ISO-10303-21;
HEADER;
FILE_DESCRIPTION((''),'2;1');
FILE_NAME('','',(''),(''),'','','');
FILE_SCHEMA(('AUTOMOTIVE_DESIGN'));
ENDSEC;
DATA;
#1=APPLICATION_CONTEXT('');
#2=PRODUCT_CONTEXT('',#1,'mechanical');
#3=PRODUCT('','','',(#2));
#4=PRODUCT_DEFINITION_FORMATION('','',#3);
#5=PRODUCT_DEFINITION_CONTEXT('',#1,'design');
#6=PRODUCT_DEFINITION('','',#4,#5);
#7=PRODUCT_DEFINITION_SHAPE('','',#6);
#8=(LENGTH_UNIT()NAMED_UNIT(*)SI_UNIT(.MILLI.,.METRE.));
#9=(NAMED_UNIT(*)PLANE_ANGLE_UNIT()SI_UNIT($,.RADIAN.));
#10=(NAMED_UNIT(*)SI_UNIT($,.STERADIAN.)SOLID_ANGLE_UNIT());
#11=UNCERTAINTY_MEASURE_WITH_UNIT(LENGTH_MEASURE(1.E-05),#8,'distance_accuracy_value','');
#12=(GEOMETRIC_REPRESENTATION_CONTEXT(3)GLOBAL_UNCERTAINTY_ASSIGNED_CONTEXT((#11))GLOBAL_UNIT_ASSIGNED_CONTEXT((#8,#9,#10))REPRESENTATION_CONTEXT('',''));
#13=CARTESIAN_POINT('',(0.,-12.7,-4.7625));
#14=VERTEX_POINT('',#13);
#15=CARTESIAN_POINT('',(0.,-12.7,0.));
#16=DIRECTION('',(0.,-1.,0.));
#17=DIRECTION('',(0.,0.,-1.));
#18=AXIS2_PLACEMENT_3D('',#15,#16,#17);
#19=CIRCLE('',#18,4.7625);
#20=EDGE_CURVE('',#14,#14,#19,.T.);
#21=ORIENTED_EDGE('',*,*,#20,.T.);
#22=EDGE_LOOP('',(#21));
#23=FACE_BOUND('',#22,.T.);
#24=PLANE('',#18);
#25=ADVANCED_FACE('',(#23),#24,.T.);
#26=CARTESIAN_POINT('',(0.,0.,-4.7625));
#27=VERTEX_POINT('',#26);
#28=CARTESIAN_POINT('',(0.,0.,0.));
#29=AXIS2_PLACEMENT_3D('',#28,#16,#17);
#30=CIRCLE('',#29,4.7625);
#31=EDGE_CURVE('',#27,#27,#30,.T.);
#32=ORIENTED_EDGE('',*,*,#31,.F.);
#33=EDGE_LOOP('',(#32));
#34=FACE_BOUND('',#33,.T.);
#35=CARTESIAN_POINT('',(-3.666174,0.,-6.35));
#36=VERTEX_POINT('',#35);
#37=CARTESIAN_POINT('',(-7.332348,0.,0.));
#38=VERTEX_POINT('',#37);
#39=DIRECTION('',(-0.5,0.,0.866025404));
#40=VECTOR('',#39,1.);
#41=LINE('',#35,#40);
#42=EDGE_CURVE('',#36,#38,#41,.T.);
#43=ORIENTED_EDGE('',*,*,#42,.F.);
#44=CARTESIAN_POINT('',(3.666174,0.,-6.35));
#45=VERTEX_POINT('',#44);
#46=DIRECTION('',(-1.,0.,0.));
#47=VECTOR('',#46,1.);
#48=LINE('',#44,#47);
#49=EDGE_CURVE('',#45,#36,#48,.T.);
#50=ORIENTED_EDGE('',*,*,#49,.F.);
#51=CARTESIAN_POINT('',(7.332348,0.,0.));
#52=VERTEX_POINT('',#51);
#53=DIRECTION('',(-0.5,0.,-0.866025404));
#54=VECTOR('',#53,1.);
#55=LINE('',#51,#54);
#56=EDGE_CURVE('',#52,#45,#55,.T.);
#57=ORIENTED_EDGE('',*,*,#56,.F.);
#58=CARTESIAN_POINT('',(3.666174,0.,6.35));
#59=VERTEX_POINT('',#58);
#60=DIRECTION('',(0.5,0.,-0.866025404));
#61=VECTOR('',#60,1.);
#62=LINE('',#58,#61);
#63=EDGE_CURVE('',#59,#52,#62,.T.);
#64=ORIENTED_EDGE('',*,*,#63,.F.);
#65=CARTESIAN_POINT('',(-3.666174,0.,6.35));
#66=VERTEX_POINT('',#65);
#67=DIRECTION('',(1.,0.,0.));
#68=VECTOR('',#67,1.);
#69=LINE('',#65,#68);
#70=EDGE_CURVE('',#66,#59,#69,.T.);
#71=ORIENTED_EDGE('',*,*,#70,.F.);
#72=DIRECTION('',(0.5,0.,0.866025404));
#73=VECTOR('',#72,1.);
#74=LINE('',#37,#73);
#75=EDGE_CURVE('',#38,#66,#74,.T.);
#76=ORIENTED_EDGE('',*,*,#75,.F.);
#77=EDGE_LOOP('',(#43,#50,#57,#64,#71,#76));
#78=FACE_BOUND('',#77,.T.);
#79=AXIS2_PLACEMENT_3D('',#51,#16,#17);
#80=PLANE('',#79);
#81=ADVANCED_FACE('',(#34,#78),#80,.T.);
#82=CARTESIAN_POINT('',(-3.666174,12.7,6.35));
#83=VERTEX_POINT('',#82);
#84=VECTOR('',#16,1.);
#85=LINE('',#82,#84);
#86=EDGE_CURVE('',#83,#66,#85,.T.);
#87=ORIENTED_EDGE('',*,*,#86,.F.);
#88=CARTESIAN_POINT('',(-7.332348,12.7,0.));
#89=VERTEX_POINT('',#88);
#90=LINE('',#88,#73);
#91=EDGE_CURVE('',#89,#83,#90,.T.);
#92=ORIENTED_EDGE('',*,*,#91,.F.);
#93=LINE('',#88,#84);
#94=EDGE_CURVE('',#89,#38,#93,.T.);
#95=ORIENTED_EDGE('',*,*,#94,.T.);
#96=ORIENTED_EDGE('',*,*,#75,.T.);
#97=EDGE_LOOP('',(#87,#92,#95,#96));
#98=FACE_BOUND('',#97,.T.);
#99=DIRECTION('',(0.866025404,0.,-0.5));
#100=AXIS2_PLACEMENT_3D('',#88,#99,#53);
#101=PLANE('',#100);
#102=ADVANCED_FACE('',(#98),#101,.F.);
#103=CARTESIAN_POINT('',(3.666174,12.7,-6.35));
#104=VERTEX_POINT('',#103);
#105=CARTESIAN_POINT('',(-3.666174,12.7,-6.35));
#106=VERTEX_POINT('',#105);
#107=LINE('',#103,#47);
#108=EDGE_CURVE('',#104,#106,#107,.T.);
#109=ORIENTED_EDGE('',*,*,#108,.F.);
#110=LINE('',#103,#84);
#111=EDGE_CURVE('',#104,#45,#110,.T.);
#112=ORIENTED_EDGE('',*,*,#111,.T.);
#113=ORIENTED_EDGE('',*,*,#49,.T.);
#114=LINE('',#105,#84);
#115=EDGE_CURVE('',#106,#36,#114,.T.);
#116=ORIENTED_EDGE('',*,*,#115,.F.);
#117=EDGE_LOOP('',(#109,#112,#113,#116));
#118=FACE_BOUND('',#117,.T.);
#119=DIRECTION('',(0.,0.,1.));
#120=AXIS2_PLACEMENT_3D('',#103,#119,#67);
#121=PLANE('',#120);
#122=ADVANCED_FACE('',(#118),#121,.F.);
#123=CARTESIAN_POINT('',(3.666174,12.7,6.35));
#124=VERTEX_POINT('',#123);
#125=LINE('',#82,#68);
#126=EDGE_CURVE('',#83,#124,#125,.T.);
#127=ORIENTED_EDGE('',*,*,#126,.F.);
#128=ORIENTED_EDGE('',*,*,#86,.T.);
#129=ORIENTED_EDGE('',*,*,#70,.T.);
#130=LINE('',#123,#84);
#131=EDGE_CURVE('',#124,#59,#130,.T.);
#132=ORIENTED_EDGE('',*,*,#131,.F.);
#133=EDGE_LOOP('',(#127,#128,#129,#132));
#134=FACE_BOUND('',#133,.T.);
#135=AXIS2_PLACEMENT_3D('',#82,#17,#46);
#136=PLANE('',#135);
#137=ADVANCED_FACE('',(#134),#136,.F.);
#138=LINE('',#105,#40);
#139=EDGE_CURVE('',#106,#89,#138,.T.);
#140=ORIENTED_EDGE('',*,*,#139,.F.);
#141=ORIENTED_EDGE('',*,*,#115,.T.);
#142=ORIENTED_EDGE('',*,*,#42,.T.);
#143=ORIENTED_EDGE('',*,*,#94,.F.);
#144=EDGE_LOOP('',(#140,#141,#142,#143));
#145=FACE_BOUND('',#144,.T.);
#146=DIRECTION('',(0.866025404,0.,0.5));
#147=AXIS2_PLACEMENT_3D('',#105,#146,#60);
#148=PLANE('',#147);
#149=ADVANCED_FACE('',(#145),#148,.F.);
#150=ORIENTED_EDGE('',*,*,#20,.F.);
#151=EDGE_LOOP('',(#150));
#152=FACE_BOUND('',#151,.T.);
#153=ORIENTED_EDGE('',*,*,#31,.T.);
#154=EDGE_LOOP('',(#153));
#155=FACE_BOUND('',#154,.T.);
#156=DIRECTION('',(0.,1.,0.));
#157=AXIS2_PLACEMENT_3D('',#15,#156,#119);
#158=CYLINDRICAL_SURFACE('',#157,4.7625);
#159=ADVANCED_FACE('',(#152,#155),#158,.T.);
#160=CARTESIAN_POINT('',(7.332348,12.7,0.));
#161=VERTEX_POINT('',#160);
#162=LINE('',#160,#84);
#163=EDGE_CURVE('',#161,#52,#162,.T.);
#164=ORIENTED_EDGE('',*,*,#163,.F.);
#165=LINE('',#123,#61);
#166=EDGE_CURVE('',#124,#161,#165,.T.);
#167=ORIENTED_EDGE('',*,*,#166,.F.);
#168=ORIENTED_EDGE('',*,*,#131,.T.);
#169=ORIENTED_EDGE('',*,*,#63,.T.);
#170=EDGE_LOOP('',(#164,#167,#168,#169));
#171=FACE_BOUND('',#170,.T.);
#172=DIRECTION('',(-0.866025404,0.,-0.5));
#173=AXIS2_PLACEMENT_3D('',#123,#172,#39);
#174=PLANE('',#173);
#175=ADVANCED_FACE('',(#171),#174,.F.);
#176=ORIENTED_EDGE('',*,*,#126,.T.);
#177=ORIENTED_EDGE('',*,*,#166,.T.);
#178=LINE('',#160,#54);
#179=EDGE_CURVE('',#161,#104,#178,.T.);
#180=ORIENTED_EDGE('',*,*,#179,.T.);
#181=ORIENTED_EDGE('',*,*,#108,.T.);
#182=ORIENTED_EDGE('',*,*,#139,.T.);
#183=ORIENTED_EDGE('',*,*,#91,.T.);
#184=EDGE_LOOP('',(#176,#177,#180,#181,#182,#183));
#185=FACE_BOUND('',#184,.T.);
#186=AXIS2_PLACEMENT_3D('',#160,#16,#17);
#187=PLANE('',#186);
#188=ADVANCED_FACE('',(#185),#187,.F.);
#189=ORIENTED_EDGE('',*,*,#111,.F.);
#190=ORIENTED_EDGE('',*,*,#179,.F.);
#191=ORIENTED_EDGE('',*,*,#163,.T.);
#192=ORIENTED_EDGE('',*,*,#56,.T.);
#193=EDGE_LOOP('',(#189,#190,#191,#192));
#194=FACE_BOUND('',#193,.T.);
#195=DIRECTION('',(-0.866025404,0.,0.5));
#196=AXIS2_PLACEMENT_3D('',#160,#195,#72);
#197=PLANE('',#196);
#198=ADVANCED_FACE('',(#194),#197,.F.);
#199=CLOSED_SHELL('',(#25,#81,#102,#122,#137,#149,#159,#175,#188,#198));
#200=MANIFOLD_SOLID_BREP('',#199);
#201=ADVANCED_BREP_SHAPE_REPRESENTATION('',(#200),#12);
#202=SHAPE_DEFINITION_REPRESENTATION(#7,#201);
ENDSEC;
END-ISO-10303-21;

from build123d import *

# Parameters (mm, degrees)
EXTRUDE1_DEPTH = 12.7
SKETCH2_R      = 4.7625
EXTRUDE2_DEPTH = 12.7


with BuildPart() as part:
    # Sketch1 → Extrude1 (new body)
    with BuildSketch(Plane(origin=(0, 0, 0), x_dir=(1, 0, 0), z_dir=(0, 1, 0))):
        Polygon((3.666174209, 6.35), (-3.666174209, 6.35), (-7.332348419, 0), (-3.666174209, -6.35), (3.666174209, -6.35), (7.332348419, 0), align=None)
    extrude(amount=EXTRUDE1_DEPTH)

    # Sketch2 → Extrude2 (add)
    with BuildSketch(Plane.XZ):
        with Locations(Location((0, 0, 0), (0, 0, 270))):
            Circle(SKETCH2_R)
    extrude(amount=EXTRUDE2_DEPTH)


solid = part.part
